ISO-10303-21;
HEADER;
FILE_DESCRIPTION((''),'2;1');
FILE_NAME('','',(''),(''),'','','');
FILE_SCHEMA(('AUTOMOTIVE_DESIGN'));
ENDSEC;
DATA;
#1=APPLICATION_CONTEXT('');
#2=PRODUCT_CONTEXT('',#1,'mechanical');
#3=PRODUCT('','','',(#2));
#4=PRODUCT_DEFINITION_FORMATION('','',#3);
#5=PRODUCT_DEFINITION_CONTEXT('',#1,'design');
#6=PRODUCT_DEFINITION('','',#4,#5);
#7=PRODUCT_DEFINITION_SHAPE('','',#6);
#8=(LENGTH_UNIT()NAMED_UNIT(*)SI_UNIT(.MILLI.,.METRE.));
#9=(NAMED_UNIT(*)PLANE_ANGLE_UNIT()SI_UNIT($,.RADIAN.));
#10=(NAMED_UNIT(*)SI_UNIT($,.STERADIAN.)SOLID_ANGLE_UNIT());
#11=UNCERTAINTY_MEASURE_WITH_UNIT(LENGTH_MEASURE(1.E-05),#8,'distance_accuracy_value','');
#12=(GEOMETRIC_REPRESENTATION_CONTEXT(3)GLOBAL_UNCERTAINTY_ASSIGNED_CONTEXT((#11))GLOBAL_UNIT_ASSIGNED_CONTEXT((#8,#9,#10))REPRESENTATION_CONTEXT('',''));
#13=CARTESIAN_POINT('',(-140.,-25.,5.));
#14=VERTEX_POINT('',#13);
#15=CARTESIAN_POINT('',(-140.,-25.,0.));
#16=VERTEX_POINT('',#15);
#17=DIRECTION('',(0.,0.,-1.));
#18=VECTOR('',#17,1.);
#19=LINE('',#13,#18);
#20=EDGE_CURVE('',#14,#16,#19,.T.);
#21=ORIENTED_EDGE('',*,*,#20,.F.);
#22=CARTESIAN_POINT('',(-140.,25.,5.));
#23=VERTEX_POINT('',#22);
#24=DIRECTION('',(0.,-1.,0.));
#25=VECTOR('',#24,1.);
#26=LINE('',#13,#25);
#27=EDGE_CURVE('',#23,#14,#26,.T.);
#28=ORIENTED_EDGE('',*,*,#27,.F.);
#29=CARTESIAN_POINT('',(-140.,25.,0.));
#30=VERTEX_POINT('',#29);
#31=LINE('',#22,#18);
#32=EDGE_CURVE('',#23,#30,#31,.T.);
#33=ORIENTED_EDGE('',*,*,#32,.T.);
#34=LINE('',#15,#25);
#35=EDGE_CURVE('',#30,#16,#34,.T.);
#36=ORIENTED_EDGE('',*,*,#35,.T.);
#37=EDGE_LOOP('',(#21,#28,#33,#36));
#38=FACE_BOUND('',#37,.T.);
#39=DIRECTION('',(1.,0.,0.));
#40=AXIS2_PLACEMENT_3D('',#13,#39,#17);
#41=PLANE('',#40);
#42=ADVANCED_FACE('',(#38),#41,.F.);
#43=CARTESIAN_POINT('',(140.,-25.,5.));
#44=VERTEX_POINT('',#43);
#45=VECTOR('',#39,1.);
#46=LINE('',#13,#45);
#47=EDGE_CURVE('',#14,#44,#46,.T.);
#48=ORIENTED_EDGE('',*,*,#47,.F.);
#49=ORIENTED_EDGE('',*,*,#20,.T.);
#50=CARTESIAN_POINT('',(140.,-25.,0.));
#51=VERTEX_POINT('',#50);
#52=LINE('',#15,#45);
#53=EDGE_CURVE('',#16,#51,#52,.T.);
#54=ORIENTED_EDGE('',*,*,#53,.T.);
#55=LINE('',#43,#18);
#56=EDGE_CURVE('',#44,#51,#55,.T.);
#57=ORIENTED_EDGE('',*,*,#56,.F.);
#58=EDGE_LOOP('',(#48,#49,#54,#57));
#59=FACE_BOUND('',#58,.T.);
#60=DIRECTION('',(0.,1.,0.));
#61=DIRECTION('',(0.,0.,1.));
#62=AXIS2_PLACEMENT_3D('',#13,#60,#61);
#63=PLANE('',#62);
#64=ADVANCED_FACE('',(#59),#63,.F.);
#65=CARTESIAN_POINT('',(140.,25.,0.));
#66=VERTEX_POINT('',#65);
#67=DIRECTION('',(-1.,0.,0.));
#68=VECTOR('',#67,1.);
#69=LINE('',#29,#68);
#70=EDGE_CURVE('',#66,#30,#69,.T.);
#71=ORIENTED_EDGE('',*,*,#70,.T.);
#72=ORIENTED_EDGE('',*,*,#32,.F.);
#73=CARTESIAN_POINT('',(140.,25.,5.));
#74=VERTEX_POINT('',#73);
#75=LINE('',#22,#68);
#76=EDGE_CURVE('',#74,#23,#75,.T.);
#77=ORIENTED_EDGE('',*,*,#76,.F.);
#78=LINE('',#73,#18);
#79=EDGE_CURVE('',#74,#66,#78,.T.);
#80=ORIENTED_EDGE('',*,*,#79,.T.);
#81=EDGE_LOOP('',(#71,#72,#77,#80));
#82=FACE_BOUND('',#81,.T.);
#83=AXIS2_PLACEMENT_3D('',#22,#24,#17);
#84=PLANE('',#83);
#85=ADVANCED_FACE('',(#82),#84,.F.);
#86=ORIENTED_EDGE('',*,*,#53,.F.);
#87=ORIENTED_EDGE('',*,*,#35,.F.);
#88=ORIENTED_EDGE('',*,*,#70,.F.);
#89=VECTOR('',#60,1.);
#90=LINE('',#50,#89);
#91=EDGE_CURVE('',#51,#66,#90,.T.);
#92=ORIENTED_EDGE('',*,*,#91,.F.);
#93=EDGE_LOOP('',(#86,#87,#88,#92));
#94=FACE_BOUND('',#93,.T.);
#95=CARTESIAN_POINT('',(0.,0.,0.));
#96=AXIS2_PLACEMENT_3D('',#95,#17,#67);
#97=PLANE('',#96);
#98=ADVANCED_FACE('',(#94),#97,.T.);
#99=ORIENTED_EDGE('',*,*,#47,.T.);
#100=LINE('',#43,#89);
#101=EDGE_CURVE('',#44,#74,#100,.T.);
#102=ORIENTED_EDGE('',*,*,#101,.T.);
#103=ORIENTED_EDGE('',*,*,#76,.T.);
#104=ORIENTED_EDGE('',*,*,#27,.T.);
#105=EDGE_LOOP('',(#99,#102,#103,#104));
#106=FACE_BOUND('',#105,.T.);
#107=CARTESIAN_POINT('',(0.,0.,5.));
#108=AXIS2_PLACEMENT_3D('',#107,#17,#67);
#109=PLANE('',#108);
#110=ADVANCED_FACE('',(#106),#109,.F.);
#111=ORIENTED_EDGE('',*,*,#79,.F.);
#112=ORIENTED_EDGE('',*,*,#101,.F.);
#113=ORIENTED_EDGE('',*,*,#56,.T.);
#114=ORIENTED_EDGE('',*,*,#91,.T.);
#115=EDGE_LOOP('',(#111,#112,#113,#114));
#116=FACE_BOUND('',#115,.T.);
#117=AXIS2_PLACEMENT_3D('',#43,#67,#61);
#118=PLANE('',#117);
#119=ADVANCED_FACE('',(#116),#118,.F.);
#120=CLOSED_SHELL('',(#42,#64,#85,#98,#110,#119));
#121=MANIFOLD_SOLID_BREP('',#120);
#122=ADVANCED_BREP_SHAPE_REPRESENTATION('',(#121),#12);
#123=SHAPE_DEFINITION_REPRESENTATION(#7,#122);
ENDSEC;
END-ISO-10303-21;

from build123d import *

# Parameters (mm, degrees)
SKETCH_1_W      = 280
SKETCH_1_H      = 50
EXTRUDE_1_DEPTH = 5


with BuildPart() as part:
    # 草图1 → 凸台-拉伸1 (new body)
    with BuildSketch(Plane.XY):
        Rectangle(SKETCH_1_W, SKETCH_1_H)
    extrude(amount=EXTRUDE_1_DEPTH)


solid = part.part
